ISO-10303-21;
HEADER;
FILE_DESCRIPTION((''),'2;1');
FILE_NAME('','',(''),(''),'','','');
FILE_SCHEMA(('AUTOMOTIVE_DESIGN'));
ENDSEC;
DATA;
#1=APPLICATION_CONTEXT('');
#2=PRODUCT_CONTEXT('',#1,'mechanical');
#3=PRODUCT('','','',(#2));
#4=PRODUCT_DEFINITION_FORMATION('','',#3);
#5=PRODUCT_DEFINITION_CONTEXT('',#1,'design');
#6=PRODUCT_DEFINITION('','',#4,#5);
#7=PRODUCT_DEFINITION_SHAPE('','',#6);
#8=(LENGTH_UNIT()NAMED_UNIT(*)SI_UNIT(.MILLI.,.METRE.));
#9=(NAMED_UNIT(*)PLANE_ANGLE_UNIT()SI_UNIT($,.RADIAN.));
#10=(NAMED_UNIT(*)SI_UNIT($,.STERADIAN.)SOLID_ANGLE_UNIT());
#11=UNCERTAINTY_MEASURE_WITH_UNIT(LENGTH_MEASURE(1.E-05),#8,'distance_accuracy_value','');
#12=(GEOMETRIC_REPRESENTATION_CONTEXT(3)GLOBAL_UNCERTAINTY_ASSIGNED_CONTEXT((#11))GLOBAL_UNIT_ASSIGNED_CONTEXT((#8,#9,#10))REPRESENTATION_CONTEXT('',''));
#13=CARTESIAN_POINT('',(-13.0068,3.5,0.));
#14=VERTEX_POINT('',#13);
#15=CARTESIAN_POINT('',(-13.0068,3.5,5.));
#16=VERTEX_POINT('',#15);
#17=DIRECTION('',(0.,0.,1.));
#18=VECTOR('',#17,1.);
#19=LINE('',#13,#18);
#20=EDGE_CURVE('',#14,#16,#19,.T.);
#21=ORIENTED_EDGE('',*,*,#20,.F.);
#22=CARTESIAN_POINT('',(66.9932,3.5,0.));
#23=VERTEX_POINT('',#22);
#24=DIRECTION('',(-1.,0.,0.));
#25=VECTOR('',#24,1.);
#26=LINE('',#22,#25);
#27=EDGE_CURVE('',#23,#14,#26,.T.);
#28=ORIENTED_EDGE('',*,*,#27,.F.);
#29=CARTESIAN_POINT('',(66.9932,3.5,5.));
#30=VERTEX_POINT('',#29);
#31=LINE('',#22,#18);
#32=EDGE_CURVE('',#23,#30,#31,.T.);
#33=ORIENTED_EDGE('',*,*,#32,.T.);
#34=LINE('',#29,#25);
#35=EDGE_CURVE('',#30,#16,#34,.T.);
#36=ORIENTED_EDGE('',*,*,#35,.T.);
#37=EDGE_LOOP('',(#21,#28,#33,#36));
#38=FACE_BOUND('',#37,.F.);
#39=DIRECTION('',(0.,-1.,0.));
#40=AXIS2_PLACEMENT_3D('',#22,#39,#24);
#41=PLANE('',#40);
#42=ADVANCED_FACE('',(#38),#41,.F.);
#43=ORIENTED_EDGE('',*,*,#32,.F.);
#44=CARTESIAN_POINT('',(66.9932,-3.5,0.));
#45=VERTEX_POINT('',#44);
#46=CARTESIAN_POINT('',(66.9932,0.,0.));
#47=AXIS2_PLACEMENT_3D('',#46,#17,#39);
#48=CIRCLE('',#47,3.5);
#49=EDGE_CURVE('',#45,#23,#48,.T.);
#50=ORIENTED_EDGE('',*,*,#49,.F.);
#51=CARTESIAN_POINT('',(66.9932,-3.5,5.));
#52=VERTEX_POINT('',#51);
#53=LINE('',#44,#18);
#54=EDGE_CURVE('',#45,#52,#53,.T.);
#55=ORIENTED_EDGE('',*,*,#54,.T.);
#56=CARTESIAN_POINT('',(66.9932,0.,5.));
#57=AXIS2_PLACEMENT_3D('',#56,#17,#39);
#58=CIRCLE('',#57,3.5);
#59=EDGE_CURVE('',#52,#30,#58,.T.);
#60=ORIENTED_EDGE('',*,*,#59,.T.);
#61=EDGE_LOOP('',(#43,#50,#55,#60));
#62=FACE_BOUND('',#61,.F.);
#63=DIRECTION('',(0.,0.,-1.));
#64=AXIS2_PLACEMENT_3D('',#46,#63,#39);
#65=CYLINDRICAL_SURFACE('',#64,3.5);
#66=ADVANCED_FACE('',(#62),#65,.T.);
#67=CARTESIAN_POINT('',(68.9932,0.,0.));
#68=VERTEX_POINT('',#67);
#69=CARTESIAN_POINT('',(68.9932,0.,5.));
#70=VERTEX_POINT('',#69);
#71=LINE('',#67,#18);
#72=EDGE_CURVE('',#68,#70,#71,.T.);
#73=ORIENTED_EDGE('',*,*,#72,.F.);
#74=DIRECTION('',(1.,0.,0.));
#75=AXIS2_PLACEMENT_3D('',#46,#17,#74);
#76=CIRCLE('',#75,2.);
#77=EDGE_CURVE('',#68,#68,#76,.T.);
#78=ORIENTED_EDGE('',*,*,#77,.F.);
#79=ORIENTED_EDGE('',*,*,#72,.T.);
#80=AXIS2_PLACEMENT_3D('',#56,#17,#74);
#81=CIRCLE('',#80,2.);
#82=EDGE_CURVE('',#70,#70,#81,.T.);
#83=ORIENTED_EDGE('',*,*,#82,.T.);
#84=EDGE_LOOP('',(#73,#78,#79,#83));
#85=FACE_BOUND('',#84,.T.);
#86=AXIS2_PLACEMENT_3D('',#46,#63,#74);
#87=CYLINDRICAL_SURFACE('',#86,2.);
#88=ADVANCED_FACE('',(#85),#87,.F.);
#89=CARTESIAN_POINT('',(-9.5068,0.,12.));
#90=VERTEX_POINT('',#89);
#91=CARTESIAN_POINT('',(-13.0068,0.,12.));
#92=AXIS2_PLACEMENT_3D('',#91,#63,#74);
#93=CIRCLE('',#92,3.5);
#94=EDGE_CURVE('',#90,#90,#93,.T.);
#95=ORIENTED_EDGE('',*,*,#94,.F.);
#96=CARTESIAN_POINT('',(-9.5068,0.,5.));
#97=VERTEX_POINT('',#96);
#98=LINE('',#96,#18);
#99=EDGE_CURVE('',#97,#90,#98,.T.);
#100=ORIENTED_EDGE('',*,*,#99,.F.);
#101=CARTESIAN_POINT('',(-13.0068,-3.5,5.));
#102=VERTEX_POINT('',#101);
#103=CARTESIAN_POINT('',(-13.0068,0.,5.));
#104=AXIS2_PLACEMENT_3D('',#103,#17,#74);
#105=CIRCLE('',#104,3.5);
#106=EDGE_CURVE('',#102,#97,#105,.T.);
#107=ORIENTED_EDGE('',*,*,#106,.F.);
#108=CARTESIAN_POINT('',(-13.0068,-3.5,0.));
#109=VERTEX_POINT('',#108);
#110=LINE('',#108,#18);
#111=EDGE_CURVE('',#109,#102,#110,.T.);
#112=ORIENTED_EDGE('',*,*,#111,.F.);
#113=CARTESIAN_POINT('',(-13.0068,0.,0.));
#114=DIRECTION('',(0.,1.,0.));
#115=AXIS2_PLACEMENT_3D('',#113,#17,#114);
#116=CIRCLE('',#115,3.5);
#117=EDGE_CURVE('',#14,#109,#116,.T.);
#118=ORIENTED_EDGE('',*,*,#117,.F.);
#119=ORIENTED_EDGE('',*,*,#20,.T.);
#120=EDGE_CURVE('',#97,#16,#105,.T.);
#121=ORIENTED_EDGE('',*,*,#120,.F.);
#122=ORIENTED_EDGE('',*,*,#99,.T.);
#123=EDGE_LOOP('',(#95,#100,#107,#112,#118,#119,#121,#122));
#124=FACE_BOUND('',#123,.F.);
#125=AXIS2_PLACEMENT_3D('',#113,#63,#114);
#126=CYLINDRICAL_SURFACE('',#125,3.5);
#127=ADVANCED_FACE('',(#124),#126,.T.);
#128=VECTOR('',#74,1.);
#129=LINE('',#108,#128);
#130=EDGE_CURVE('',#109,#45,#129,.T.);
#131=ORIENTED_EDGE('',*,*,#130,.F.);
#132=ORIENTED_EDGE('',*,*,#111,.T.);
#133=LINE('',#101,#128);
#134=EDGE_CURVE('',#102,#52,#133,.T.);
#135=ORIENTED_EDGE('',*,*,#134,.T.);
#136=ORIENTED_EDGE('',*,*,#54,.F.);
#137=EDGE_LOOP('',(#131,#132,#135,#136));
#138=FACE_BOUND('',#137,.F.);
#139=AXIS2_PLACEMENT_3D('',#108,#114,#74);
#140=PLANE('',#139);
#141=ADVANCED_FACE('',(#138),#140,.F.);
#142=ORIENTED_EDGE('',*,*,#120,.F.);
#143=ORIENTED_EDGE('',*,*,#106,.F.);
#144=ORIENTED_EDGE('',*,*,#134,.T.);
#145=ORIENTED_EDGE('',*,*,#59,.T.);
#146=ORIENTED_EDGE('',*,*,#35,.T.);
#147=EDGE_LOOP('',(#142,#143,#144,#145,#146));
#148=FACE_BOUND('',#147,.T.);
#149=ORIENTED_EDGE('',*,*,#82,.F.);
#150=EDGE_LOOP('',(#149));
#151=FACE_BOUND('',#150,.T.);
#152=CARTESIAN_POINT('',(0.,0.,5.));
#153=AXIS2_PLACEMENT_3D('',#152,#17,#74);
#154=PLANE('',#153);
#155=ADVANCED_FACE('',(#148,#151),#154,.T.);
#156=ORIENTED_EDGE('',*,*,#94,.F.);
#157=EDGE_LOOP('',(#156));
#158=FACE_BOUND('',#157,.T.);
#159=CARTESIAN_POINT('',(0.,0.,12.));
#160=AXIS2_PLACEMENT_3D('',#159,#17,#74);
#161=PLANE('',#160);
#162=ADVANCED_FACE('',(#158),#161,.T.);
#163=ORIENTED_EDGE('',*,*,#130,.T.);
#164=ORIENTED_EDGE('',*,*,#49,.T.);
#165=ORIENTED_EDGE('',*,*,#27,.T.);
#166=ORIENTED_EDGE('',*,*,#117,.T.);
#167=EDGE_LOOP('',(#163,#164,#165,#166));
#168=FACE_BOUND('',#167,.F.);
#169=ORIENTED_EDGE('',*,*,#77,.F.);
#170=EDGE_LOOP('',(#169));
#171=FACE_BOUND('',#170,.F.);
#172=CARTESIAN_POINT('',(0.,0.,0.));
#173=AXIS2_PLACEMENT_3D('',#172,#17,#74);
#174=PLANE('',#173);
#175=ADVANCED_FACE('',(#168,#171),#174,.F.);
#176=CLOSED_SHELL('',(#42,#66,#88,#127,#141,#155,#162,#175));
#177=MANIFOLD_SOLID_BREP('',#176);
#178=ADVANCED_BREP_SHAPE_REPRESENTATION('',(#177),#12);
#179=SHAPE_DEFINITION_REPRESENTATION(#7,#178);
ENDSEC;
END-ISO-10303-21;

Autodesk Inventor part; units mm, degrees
ref_plane "YZ Plane" through (0, 0, 0) normal (1, 0, 0) x (0, 1, 0)
ref_plane "XZ Plane" through (0, 0, 0) normal (0, 1, 0) x (-1, 0, 0)
ref_plane "XY Plane" through (0, 0, 0) normal (0, 0, 1) x (1, 0, 0)
sketch "Boceto1" plane through (0, 0, 0) normal (0, 0, 1) x (1, 0, 0)
  line L0 (-13.0068, 0) -> (66.9932, 0) construction
  line L1 (-13.0068, -3.5) -> (66.9932, -3.5)
  line L2 (66.9932, 3.5) -> (-13.0068, 3.5)
  arc A0 (-13.0068, 3.5) -> (-13.0068, -3.5) centre (-13.0068, 0) ccw
  arc A1 (66.9932, -3.5) -> (66.9932, 3.5) centre (66.9932, 0) ccw
  circle A2 centre (66.9932, 0) radius 2
  point P0 (0, 0)
  point P1 (26.9932, 0)
  dimension "d0" = 80
  dimension "d1" = 7
  dimension "d2" = 4
extrude "Extrusión1" add sketch "Boceto1" along normal blind 5
sketch "Boceto3" plane through (0, 0, 5) normal (0, 0, 1) x (1, 0, 0)
  line L0 (66.9932, 3.5) -> (-13.0068, 3.5) projected
  circle A0 centre (-13.0068, 0) radius 3.5
  point P0 (0, 0)
extrude "Extrusión3" add sketch "Boceto3" along normal blind 7
properties part number "L3" material "Aluminio 6061"
